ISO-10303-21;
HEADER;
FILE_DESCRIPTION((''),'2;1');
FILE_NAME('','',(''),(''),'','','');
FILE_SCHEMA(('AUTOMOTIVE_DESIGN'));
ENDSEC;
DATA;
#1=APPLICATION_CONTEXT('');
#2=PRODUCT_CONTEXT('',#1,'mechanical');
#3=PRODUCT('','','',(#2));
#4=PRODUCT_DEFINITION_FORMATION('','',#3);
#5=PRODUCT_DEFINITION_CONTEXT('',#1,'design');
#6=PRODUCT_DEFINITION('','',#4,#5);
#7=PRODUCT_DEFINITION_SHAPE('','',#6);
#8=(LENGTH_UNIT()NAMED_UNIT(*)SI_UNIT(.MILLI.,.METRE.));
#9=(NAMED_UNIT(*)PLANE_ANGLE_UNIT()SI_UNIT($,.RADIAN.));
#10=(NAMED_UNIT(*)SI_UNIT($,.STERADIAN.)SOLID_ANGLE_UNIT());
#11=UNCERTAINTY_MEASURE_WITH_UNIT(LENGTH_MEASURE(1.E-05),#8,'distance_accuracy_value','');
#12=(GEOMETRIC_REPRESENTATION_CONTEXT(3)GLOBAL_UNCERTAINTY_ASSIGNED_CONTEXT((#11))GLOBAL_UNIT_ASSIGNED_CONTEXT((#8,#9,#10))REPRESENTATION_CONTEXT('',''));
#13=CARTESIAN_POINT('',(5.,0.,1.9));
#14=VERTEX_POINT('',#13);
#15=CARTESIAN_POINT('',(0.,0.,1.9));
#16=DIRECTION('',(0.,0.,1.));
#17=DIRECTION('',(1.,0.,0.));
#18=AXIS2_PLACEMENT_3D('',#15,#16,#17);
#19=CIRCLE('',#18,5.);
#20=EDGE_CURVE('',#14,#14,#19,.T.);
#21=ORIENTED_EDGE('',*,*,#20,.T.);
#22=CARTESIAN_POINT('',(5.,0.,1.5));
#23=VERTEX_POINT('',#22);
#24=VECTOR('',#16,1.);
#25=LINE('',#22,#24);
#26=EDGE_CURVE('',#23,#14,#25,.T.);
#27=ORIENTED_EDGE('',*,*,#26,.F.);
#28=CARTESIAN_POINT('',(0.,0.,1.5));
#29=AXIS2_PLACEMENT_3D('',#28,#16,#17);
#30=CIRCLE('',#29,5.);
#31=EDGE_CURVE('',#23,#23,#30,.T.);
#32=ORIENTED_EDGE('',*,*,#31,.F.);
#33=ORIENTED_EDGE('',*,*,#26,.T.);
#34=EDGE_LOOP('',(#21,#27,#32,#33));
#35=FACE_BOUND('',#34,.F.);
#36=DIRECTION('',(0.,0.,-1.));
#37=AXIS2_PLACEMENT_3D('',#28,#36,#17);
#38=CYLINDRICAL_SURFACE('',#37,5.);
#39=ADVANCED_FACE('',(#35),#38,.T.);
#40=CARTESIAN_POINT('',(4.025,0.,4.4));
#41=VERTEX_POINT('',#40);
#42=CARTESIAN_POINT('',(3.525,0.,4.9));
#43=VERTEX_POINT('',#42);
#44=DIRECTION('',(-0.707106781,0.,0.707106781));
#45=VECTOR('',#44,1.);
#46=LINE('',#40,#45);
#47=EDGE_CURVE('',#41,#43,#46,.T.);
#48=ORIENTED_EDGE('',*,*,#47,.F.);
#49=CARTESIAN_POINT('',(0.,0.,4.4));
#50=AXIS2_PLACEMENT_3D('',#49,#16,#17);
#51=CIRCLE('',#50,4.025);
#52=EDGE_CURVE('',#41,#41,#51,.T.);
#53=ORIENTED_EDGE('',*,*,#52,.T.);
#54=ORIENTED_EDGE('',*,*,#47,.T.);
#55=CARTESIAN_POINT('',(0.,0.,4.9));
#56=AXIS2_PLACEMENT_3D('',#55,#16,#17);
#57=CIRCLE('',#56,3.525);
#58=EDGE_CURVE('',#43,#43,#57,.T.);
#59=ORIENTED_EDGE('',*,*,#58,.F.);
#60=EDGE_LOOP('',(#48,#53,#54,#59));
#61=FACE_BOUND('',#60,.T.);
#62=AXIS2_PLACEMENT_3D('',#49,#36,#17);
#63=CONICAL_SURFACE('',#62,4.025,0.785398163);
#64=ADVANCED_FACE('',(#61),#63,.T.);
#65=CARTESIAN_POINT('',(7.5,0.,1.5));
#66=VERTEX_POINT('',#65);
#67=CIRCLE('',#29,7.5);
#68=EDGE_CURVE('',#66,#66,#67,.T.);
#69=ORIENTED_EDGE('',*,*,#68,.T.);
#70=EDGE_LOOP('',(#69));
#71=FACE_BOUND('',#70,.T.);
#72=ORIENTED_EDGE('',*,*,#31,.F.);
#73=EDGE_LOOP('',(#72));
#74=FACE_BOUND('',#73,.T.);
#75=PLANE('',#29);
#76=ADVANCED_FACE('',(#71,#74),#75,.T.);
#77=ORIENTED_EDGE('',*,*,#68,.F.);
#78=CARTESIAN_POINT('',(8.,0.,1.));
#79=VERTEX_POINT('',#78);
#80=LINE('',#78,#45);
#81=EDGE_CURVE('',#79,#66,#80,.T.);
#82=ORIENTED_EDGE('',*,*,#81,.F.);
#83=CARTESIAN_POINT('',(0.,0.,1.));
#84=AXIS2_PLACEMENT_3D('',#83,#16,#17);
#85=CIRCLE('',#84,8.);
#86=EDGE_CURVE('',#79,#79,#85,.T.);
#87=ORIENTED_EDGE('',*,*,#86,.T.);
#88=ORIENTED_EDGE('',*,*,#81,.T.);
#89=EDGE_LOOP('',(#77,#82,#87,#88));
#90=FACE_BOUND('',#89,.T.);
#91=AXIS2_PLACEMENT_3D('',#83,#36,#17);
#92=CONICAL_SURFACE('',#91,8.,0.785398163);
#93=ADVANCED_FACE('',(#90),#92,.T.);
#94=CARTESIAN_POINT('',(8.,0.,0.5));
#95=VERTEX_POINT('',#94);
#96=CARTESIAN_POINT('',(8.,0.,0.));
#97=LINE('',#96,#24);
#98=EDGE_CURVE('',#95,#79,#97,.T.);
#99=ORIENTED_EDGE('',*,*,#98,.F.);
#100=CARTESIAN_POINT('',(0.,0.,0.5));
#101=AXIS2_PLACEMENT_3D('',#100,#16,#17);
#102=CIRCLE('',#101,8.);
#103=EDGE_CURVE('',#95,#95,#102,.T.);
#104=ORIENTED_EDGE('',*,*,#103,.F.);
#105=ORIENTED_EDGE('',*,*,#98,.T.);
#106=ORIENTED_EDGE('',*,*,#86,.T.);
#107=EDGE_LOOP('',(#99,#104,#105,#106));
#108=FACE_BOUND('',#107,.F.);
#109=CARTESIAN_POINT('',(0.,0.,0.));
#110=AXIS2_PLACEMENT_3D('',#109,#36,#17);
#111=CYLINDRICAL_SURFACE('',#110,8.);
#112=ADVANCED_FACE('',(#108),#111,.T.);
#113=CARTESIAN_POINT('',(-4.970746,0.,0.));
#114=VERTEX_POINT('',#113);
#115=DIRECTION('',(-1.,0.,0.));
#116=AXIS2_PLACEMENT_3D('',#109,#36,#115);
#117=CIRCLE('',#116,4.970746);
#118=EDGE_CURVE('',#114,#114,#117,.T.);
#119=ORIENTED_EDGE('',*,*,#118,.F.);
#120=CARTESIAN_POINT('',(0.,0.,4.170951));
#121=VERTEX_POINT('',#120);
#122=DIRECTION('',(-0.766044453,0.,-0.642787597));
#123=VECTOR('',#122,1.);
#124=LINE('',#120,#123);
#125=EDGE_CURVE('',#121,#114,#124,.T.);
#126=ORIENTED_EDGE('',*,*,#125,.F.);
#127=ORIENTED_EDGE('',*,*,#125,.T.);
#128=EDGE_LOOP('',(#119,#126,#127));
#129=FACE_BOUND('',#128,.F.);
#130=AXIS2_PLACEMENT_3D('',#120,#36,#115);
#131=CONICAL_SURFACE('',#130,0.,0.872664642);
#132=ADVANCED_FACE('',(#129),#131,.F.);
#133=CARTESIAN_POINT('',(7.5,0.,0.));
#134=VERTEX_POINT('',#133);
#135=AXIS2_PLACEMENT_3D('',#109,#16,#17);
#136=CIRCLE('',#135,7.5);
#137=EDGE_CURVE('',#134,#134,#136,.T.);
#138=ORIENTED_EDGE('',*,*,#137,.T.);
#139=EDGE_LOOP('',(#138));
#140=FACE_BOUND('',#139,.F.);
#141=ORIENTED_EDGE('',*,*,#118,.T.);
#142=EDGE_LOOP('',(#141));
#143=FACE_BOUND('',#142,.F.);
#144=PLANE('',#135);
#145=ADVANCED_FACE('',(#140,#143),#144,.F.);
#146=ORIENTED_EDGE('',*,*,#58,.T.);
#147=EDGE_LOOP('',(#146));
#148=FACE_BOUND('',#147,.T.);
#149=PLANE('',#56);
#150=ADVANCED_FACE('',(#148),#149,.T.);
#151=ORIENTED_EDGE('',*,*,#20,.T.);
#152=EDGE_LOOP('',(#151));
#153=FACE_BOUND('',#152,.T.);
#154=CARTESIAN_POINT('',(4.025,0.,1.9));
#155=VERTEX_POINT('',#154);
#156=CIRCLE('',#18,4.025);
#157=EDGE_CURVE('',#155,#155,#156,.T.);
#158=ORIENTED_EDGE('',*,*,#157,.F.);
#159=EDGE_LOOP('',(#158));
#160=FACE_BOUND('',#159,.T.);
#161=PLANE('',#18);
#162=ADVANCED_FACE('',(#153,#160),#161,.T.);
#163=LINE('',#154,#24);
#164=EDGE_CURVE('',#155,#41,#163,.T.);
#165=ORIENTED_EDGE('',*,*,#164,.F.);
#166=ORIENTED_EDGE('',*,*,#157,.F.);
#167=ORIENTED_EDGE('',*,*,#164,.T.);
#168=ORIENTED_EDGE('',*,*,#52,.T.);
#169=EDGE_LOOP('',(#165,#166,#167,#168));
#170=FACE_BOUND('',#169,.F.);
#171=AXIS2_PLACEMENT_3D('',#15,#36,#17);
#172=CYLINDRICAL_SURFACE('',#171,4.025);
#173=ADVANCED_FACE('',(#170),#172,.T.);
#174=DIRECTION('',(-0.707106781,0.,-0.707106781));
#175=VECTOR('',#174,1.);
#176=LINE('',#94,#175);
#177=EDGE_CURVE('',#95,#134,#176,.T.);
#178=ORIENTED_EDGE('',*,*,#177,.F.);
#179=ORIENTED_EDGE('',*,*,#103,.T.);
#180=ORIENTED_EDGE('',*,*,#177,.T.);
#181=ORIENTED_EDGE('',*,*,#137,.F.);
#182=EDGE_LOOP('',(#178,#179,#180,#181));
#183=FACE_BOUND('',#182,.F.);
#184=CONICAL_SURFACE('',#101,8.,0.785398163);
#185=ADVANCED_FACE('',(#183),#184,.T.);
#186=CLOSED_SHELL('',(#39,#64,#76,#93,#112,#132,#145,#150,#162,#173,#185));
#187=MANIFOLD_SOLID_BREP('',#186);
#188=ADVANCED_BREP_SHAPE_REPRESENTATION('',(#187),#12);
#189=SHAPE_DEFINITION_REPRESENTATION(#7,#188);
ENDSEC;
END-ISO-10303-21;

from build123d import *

# Parameters (mm, degrees)
F0_R     = 8
F1_DEPTH = 1.5
F2_R     = 5
F3_DEPTH = 0.4
F4_R     = 4.025
F5_DEPTH = 3
F6_SIZE  = 0.5


with BuildPart() as f1:
    # F0 (on Top) → F1 (new body)
    with BuildSketch(Plane.XY):
        Circle(F0_R)
    extrude(amount=F1_DEPTH)

    # F2 (on face) → F3 (join)
    with BuildSketch(Plane.XY.offset(1.5)):
        Circle(F2_R)
    extrude(amount=F3_DEPTH)

    # F4 (on face) → F5 (join)
    with BuildSketch(Plane.XY.offset(1.9)):
        Circle(F4_R)
    extrude(amount=F5_DEPTH)

    # F6
    f6_edges = [f1.edges().sort_by_distance(p)[0] for p in [
        (-8, 0, 0),
        (-8, 0, 1.5),
        (-4.025, 0, 4.9),
    ]]
    chamfer(f6_edges, length=F6_SIZE)

    # F7 (on Front) → F8 (revolve, cut)
    with BuildSketch(Plane.XZ):
        Polygon((0, 4.170951), (-4.970746, 0), (0, 0), align=None)
    revolve(axis=Axis((0, 0, 2.085476), (0, 0, -1)), mode=Mode.SUBTRACT)


solid = f1.part
